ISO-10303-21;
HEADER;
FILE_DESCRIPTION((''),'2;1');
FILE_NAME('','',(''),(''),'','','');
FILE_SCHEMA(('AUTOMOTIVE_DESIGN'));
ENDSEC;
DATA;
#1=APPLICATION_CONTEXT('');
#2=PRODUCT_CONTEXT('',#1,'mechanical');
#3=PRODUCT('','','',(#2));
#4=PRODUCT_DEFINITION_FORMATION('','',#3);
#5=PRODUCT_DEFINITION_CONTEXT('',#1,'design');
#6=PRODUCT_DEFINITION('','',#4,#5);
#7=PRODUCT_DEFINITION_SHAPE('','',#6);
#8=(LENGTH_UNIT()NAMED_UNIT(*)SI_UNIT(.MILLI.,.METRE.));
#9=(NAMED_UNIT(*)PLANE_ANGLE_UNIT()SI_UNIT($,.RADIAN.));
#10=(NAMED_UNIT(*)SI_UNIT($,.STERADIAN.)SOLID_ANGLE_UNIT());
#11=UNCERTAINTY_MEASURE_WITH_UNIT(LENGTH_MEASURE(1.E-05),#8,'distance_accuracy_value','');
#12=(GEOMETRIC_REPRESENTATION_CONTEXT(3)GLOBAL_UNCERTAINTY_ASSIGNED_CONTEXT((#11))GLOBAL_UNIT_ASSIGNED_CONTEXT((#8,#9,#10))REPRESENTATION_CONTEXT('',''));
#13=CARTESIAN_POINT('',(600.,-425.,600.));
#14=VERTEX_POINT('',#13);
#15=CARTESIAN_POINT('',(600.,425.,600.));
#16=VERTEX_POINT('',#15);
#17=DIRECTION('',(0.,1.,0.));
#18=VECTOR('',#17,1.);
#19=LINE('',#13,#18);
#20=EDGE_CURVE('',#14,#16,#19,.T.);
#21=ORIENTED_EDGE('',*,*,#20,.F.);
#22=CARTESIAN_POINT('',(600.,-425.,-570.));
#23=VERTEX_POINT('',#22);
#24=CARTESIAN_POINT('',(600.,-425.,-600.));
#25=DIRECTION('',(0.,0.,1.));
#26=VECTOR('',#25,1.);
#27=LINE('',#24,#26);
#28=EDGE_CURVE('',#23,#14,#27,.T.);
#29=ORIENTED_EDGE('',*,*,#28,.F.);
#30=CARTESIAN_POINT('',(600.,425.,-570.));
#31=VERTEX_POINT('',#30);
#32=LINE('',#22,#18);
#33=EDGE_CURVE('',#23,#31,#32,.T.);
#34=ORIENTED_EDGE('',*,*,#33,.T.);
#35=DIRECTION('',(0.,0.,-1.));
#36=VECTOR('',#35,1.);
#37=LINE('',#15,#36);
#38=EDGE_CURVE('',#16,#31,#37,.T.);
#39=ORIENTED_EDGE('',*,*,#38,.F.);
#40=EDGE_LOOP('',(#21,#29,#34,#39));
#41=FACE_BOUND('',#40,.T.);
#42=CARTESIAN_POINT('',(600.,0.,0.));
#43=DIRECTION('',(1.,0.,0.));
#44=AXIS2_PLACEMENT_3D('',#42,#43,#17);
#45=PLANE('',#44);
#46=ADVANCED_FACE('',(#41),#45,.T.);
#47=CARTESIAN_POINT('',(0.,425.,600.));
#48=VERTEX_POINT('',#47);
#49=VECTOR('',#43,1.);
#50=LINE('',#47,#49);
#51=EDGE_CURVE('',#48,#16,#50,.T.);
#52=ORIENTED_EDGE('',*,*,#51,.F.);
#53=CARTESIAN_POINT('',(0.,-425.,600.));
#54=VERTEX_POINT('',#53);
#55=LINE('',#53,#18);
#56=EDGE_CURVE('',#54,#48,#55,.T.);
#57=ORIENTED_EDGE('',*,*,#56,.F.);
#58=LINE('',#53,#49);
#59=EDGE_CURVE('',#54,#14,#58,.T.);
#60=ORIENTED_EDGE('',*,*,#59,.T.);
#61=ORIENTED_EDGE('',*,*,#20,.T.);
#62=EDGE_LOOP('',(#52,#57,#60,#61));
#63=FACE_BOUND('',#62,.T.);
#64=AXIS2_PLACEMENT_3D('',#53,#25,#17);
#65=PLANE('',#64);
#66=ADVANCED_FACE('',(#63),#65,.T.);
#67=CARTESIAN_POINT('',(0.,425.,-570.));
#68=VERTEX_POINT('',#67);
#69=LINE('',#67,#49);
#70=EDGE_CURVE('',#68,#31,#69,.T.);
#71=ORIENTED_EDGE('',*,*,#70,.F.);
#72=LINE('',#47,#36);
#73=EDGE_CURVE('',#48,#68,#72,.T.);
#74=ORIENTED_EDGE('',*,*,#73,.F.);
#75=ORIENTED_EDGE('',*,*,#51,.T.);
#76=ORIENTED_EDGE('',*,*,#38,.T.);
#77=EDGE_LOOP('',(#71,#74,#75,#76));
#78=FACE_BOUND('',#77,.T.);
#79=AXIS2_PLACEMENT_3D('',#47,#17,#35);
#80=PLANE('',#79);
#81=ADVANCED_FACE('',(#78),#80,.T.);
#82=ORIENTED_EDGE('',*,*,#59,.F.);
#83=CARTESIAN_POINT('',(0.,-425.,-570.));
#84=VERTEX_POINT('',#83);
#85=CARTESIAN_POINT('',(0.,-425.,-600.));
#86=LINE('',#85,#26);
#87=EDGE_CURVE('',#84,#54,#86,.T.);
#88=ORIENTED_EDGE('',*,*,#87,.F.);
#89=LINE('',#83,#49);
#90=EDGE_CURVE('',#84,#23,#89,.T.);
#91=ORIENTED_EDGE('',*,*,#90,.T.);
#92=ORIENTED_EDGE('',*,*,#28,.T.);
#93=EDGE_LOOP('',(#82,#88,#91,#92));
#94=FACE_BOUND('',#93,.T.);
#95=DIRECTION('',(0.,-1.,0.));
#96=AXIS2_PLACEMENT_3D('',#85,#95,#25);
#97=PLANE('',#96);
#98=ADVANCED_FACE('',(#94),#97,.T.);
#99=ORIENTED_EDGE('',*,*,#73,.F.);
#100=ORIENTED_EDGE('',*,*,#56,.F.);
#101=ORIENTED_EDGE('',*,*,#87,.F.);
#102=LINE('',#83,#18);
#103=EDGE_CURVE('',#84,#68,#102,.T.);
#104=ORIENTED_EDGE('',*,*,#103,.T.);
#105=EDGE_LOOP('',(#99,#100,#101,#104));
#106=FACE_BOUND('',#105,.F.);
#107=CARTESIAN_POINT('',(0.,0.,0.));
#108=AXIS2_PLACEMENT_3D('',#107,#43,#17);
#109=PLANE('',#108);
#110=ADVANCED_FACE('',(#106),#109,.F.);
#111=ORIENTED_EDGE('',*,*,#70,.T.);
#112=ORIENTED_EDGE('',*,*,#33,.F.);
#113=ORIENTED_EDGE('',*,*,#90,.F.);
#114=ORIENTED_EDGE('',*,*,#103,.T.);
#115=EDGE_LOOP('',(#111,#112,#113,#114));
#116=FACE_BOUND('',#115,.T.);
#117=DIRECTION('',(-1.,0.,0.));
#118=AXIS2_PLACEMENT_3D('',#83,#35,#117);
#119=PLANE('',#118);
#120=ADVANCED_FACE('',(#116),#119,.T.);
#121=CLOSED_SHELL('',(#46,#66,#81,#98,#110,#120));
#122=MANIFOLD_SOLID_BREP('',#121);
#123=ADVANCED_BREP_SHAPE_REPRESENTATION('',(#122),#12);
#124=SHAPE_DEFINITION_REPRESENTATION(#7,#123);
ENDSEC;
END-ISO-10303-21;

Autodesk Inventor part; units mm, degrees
ref_plane "YZ Plane" through (0, 0, 0) normal (1, 0, 0) x (0, 1, 0)
ref_plane "XZ Plane" through (0, 0, 0) normal (0, 1, 0) x (-1, 0, 0)
ref_plane "XY Plane" through (0, 0, 0) normal (0, 0, 1) x (1, 0, 0)
sketch "草图1" plane through (0, 0, 0) normal (1, 0, 0) x (0, 1, 0)
  line L0 (425, -600) -> (-425, -600)
  line L1 (-425, -600) -> (-425, 600)
  line L2 (-425, 600) -> (425, 600)
  line L3 (425, 600) -> (425, -600)
  line L4 (425, -600) -> (-425, 600) construction
  line L5 (-425, -600) -> (425, 600) construction
  point P0 (0, 0)
  dimension "d0" = 850
  dimension "d1" = 1200
extrude "拉伸1" add sketch "草图1" along normal blind 600
sketch "草图2" plane through (0, -425, -600) normal (0, 0, -1) x (-1, 0, 0)
  line L0 (0, 0) -> (0, 850) projected
  line L1 (0, 850) -> (-600, 850) projected
  line L2 (-600, 0) -> (-600, 850) projected
  line L3 (0, 0) -> (-600, 0) projected
  point P0 (0, 425)
extrude "拉伸2" cut sketch "草图2" against normal blind 30
properties part number "small cupboard"
